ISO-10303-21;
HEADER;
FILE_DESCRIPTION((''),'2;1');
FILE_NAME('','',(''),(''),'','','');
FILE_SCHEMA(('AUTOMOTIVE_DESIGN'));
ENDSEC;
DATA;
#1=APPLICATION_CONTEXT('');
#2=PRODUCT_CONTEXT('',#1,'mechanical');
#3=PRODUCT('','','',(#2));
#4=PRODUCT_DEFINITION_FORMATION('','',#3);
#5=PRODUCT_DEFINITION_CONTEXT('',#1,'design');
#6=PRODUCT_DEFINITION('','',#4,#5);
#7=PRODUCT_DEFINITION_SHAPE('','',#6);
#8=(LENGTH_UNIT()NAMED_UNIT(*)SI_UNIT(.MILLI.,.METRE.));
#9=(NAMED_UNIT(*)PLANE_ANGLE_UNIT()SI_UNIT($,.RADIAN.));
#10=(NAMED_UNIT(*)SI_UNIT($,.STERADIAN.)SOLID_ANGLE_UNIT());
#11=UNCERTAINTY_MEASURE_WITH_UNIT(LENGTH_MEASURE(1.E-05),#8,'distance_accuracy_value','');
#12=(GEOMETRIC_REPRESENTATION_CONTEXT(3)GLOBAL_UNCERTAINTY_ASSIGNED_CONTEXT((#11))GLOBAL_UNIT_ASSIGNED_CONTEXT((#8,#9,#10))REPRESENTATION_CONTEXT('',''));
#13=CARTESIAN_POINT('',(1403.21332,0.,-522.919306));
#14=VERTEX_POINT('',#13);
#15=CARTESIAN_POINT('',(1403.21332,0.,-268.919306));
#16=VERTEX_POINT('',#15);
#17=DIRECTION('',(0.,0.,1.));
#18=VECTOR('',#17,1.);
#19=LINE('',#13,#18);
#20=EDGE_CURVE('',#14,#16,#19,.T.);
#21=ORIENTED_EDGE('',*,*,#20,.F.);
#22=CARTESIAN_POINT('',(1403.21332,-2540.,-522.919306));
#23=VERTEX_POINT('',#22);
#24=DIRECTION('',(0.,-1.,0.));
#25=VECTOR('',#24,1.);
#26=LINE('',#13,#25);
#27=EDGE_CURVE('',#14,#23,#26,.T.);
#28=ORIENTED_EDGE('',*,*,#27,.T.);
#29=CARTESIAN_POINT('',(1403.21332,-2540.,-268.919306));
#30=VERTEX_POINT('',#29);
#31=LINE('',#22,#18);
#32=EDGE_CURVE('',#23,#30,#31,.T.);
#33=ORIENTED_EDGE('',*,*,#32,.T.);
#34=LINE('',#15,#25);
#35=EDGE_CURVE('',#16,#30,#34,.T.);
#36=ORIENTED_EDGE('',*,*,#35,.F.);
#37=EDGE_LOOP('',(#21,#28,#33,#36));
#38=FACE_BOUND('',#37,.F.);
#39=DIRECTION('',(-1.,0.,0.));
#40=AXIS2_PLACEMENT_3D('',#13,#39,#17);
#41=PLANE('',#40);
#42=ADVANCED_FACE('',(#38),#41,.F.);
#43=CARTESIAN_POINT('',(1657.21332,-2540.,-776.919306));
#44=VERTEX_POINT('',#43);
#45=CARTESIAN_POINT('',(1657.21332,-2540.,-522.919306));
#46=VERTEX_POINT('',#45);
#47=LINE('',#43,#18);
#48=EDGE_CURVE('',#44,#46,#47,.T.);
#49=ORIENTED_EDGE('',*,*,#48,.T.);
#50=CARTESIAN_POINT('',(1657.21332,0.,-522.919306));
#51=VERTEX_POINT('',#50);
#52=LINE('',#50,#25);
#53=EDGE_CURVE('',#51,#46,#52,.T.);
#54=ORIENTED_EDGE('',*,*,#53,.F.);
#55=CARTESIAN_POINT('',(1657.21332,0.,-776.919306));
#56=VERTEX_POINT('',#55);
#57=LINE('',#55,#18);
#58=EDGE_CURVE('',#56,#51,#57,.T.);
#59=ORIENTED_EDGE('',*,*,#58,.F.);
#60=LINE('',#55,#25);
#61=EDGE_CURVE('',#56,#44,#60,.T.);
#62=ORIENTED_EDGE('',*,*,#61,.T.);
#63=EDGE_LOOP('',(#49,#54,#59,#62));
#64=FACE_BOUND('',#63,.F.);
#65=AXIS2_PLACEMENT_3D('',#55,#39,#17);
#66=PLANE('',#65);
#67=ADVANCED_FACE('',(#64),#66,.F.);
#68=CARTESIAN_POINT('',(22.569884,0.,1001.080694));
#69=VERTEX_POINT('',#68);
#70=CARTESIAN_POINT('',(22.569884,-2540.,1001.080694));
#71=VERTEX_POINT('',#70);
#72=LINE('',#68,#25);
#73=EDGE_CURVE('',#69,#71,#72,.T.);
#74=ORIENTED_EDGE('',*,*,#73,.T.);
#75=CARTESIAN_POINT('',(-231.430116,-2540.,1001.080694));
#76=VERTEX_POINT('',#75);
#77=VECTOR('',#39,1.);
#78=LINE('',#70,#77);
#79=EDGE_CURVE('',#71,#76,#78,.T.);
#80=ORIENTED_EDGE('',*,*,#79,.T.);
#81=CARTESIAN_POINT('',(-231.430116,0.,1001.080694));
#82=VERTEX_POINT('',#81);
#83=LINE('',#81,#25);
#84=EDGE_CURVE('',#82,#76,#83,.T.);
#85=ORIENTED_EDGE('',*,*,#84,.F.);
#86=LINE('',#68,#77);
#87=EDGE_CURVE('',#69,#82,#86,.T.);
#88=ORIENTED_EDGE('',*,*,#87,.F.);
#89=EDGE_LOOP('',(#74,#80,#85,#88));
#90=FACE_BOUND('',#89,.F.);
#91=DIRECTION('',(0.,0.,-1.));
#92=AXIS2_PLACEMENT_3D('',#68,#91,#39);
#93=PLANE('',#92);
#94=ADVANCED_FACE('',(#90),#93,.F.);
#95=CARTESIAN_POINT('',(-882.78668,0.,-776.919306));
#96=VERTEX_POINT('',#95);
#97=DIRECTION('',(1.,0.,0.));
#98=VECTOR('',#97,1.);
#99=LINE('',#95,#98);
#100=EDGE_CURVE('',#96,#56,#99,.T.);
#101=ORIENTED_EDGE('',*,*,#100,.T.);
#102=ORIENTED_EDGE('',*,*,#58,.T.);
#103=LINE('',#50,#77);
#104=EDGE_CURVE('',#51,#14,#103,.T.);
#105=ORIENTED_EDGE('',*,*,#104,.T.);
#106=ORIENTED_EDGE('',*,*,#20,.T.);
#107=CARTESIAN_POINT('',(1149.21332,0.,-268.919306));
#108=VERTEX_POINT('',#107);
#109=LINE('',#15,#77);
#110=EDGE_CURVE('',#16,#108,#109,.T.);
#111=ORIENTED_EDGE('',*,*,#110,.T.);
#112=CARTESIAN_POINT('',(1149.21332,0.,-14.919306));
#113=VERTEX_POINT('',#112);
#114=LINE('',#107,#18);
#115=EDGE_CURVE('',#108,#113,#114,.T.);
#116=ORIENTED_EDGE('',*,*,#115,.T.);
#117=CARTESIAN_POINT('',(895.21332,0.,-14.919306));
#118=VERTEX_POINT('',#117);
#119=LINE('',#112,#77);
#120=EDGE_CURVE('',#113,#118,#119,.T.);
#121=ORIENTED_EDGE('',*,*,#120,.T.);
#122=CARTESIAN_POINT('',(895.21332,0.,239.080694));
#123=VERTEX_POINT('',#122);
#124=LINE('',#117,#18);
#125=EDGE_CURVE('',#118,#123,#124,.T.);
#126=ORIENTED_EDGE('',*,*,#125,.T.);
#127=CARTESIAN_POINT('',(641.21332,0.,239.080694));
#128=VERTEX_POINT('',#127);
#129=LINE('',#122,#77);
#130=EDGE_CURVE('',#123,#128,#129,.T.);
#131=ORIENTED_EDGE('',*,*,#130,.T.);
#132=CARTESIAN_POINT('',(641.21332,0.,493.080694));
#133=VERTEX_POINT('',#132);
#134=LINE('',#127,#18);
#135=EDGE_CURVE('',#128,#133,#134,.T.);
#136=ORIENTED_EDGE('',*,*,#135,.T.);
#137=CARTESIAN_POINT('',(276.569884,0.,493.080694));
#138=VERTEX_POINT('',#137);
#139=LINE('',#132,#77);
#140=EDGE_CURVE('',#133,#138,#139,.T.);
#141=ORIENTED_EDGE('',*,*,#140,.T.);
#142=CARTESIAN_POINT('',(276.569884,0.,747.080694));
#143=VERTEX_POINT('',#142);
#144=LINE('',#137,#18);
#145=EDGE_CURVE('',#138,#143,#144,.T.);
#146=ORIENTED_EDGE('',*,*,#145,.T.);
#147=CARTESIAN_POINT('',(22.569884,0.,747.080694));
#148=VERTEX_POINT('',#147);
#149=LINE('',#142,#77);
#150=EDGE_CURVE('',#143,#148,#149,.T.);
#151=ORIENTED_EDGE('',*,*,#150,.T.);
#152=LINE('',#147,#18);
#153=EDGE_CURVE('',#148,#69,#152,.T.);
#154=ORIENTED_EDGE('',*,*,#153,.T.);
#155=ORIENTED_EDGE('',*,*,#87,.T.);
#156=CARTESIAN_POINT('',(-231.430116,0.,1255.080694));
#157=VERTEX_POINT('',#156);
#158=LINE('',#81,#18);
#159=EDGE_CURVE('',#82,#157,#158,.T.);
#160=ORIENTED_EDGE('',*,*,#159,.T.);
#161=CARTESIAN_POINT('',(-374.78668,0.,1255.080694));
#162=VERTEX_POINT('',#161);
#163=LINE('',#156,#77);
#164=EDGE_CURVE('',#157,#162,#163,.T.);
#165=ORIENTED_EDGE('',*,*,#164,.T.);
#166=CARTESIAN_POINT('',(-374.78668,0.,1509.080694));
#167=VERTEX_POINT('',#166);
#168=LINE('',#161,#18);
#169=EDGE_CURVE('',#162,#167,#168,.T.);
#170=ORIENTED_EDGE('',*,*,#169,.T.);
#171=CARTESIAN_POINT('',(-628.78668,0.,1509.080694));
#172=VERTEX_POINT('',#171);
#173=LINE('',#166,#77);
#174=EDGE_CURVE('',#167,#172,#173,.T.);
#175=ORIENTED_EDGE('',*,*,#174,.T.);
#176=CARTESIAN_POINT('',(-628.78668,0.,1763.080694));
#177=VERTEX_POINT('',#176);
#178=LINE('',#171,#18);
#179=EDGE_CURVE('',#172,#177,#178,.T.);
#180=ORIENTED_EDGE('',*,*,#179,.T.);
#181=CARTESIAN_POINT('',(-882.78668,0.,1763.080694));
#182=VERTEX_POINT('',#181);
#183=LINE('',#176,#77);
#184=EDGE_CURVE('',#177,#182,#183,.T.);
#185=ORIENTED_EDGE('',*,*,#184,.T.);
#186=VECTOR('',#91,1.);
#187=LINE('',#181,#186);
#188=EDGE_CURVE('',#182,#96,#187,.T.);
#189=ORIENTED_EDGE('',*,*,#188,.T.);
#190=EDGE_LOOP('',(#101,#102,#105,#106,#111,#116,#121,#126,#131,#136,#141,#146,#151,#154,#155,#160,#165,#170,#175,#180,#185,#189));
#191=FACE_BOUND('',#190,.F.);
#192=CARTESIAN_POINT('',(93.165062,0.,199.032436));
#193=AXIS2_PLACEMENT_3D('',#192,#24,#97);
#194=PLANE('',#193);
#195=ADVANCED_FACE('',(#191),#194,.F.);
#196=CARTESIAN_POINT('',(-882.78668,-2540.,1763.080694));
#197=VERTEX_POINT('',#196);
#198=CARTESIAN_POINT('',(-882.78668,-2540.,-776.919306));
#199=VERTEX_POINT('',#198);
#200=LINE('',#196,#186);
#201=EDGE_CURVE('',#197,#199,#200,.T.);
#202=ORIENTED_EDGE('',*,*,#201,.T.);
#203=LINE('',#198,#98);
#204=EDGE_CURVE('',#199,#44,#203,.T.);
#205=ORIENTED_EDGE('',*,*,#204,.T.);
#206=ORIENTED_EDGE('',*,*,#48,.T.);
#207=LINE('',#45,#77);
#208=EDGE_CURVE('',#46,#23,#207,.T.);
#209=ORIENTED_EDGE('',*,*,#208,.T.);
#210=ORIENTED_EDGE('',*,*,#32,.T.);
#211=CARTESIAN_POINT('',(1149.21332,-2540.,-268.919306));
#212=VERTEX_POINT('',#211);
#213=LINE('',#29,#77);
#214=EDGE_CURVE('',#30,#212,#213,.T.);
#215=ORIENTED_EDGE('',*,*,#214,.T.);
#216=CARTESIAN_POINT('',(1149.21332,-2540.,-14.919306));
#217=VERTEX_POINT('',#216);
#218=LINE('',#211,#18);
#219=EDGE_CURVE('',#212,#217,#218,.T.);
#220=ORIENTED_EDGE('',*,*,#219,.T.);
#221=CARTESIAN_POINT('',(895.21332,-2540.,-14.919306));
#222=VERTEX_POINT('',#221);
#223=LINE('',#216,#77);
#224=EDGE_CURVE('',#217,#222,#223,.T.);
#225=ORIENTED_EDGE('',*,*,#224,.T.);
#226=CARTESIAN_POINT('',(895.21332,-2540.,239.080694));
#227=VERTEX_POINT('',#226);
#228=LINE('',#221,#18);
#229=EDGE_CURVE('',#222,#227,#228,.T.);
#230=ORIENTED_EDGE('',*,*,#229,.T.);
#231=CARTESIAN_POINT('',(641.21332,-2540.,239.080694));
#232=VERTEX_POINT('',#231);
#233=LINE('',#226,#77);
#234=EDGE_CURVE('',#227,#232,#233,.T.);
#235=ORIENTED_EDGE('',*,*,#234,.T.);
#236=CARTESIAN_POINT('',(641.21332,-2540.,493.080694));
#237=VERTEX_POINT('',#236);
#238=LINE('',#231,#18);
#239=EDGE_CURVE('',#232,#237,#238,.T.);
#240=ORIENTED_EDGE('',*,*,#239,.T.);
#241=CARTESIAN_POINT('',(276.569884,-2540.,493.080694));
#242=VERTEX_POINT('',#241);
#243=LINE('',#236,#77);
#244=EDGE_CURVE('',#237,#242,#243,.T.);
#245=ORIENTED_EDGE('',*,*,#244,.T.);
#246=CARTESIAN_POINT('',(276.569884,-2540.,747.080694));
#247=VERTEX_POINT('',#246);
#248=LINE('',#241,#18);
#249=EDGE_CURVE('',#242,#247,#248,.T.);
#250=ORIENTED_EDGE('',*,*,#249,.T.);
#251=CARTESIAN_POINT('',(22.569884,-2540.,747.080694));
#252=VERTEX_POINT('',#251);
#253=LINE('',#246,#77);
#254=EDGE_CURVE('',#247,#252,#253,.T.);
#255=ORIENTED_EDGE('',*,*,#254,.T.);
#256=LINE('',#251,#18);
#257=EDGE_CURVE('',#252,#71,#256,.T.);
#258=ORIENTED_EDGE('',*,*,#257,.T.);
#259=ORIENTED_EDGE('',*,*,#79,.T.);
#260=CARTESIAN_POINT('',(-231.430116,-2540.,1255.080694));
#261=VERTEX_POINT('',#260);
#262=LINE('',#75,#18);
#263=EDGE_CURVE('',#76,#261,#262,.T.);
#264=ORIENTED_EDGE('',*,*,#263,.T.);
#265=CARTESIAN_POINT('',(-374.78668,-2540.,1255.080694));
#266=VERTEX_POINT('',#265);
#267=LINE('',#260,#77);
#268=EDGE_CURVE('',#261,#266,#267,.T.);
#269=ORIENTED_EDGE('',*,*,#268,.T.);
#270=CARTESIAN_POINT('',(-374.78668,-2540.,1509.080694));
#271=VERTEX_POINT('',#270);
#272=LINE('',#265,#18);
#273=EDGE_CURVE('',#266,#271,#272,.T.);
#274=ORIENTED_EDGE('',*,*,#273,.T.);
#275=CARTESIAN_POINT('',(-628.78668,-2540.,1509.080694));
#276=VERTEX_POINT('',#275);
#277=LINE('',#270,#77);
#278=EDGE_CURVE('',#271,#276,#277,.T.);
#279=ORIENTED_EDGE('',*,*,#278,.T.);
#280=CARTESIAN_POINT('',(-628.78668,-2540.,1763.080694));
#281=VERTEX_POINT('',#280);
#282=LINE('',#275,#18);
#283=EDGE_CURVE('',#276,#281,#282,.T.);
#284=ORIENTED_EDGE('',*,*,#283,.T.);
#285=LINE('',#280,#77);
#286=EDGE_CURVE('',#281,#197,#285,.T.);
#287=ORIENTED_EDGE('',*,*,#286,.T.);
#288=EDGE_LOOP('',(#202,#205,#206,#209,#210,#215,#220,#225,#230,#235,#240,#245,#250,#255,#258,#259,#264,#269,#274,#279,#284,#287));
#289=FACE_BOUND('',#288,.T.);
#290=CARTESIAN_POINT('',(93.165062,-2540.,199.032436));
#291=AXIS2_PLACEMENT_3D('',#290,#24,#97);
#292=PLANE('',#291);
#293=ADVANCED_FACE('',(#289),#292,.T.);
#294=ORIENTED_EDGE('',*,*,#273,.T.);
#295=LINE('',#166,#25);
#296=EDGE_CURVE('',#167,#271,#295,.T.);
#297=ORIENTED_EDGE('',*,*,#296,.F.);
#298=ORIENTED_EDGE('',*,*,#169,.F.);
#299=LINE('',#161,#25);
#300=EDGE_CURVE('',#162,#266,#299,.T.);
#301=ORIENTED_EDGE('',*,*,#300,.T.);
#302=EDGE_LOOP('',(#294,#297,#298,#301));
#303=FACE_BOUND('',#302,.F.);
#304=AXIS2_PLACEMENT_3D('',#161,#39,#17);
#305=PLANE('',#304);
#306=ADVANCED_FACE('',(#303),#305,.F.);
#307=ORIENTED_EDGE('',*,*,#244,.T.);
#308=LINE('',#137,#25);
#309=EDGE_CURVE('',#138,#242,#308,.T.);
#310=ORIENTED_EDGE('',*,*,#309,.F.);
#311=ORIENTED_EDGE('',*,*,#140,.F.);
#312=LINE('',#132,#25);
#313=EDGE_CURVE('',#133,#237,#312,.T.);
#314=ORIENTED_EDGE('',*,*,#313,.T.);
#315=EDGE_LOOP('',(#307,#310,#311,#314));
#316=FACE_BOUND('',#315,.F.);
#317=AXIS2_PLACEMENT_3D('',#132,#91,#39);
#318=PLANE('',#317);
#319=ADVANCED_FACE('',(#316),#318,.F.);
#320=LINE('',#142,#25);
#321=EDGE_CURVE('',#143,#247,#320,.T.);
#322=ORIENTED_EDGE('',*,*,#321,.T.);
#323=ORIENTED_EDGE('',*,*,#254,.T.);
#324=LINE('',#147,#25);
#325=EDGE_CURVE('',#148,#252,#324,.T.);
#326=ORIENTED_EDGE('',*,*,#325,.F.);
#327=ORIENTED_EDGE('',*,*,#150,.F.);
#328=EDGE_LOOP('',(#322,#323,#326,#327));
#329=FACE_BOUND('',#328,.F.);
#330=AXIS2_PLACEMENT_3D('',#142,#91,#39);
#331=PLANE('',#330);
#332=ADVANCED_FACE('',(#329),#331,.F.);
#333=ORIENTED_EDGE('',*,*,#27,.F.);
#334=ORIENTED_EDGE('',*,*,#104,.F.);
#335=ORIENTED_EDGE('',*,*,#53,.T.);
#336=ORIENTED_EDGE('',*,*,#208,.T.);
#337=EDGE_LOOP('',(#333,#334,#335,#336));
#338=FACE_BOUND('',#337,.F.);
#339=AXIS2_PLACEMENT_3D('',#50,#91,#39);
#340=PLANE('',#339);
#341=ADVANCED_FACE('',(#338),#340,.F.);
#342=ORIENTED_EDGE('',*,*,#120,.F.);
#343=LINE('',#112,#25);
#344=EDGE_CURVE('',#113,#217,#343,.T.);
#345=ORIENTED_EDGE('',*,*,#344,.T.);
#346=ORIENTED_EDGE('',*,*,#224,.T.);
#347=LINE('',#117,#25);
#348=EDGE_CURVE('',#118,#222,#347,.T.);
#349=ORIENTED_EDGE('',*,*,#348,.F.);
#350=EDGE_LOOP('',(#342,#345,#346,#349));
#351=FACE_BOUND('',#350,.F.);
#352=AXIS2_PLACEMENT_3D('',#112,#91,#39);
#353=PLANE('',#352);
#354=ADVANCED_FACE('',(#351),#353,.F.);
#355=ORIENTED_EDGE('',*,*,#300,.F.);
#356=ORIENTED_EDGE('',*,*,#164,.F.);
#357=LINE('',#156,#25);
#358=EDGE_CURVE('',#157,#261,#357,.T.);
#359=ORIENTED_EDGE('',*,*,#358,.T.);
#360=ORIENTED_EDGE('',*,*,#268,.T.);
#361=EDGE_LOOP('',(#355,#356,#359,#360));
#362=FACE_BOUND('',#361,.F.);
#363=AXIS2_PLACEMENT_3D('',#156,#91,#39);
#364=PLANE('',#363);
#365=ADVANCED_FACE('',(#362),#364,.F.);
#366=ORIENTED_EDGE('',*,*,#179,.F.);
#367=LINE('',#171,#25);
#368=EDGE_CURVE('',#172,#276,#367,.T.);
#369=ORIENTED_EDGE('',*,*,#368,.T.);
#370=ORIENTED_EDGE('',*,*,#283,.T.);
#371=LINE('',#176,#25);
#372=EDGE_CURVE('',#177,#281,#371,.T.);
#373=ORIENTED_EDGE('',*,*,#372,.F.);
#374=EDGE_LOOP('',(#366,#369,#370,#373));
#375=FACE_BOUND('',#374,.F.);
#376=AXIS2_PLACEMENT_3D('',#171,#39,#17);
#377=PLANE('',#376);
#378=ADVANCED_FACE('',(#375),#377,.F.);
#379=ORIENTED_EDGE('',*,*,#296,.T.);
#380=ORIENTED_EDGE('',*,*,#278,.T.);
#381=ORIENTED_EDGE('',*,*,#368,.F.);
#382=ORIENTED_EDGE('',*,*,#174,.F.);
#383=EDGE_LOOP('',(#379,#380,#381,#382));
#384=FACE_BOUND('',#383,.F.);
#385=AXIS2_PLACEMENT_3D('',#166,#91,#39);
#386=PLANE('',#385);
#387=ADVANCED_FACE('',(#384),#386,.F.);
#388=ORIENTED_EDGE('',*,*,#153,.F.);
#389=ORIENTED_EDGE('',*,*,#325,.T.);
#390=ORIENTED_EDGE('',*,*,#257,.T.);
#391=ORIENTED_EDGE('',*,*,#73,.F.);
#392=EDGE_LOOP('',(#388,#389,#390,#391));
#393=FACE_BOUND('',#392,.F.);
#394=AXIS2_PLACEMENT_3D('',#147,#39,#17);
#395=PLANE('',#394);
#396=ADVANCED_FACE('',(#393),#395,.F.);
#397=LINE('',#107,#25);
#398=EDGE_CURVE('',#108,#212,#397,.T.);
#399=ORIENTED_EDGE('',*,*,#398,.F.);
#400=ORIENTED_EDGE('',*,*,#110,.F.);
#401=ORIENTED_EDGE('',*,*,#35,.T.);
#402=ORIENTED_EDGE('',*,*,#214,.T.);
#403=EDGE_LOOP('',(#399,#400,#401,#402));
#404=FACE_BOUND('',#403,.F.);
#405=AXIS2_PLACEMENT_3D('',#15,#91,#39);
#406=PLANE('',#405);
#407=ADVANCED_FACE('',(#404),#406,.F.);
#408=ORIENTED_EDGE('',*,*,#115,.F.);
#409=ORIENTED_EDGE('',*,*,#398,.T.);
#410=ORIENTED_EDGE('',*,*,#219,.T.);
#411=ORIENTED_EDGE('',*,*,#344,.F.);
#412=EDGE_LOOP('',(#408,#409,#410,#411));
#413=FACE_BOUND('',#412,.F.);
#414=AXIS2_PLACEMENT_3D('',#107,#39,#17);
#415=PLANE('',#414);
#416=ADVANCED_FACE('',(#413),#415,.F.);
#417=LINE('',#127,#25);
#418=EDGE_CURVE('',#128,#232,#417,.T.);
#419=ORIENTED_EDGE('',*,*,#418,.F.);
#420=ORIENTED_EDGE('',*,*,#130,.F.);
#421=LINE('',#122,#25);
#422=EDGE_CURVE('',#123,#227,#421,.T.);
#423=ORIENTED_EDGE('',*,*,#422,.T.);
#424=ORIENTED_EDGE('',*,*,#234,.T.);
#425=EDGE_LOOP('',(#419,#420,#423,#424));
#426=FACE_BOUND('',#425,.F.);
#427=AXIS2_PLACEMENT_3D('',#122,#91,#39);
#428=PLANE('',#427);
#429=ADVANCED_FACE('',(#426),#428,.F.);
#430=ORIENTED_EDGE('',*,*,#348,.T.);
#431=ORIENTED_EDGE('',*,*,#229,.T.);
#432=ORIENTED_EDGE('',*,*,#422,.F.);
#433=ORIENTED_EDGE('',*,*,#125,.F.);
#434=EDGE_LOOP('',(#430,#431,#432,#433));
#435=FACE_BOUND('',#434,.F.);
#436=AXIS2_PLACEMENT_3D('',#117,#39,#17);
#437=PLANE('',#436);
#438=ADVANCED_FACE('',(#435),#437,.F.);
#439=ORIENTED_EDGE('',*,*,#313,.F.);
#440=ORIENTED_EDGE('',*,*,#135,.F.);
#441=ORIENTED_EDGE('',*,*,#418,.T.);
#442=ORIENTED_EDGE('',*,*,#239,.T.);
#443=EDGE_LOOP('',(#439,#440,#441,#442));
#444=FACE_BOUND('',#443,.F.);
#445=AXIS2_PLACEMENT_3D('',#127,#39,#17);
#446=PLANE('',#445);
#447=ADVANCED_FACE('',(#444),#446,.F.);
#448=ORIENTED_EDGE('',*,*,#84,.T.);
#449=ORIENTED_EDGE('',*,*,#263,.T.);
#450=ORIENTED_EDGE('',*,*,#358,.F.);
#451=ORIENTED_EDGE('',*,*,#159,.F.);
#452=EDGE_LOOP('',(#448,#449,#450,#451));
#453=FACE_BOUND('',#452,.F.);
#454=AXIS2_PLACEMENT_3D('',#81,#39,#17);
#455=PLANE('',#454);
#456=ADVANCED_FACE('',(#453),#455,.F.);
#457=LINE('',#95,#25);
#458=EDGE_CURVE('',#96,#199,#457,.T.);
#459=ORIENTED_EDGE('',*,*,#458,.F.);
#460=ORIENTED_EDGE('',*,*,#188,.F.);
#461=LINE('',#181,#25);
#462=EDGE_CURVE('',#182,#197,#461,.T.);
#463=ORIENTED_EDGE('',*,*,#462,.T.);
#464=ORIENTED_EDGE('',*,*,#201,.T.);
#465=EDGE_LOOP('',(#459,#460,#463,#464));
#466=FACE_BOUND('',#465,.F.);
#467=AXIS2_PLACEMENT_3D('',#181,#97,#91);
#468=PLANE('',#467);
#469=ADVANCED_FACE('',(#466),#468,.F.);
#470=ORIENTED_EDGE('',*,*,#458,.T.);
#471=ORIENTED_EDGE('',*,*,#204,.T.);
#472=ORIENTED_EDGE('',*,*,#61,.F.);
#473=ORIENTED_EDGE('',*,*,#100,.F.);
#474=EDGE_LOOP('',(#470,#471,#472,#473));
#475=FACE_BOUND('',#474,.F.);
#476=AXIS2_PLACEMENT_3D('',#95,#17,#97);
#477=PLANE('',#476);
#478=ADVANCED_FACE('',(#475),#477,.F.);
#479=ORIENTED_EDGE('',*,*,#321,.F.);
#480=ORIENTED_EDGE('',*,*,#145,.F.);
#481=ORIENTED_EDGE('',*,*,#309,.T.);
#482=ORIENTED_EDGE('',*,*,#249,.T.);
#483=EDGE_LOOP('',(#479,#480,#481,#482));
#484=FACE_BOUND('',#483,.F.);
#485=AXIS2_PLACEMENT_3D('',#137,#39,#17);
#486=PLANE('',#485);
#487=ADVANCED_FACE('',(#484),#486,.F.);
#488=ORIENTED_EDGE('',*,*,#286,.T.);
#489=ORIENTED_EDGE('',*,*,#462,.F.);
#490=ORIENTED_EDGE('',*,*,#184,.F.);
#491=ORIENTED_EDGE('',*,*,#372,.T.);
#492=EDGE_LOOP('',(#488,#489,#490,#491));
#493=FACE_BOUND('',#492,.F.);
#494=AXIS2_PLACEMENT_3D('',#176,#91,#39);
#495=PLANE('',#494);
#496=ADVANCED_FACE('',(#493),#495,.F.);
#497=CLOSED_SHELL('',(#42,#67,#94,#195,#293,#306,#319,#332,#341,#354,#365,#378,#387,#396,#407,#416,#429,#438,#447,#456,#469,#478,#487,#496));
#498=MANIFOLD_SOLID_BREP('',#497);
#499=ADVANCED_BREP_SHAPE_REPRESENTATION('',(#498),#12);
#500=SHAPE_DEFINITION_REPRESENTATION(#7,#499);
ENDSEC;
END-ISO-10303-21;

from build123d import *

# Parameters (mm, degrees)
F1_DEPTH = 2540


with BuildPart() as f1:
    # F0 (on Front) → F1 (new body)
    with BuildSketch(Plane.XZ):
        Polygon((-628.78668, 1763.080694), (-882.78668, 1763.080694), (-882.78668, -776.919306), (1657.21332, -776.919306), (1657.21332, -522.919306), (1403.21332, -522.919306), (1403.21332, -268.919306), (1149.21332, -268.919306), (1149.21332, -14.919306), (895.21332, -14.919306), (895.21332, 239.080694), (641.21332, 239.080694), (641.21332, 493.080694), (276.569884, 493.080694), (276.569884, 747.080694), (22.569884, 747.080694), (22.569884, 1001.080694), (-231.430116, 1001.080694), (-231.430116, 1255.080694), (-374.78668, 1255.080694), (-374.78668, 1509.080694), (-628.78668, 1509.080694), align=None)
    extrude(amount=F1_DEPTH)


solid = f1.part
